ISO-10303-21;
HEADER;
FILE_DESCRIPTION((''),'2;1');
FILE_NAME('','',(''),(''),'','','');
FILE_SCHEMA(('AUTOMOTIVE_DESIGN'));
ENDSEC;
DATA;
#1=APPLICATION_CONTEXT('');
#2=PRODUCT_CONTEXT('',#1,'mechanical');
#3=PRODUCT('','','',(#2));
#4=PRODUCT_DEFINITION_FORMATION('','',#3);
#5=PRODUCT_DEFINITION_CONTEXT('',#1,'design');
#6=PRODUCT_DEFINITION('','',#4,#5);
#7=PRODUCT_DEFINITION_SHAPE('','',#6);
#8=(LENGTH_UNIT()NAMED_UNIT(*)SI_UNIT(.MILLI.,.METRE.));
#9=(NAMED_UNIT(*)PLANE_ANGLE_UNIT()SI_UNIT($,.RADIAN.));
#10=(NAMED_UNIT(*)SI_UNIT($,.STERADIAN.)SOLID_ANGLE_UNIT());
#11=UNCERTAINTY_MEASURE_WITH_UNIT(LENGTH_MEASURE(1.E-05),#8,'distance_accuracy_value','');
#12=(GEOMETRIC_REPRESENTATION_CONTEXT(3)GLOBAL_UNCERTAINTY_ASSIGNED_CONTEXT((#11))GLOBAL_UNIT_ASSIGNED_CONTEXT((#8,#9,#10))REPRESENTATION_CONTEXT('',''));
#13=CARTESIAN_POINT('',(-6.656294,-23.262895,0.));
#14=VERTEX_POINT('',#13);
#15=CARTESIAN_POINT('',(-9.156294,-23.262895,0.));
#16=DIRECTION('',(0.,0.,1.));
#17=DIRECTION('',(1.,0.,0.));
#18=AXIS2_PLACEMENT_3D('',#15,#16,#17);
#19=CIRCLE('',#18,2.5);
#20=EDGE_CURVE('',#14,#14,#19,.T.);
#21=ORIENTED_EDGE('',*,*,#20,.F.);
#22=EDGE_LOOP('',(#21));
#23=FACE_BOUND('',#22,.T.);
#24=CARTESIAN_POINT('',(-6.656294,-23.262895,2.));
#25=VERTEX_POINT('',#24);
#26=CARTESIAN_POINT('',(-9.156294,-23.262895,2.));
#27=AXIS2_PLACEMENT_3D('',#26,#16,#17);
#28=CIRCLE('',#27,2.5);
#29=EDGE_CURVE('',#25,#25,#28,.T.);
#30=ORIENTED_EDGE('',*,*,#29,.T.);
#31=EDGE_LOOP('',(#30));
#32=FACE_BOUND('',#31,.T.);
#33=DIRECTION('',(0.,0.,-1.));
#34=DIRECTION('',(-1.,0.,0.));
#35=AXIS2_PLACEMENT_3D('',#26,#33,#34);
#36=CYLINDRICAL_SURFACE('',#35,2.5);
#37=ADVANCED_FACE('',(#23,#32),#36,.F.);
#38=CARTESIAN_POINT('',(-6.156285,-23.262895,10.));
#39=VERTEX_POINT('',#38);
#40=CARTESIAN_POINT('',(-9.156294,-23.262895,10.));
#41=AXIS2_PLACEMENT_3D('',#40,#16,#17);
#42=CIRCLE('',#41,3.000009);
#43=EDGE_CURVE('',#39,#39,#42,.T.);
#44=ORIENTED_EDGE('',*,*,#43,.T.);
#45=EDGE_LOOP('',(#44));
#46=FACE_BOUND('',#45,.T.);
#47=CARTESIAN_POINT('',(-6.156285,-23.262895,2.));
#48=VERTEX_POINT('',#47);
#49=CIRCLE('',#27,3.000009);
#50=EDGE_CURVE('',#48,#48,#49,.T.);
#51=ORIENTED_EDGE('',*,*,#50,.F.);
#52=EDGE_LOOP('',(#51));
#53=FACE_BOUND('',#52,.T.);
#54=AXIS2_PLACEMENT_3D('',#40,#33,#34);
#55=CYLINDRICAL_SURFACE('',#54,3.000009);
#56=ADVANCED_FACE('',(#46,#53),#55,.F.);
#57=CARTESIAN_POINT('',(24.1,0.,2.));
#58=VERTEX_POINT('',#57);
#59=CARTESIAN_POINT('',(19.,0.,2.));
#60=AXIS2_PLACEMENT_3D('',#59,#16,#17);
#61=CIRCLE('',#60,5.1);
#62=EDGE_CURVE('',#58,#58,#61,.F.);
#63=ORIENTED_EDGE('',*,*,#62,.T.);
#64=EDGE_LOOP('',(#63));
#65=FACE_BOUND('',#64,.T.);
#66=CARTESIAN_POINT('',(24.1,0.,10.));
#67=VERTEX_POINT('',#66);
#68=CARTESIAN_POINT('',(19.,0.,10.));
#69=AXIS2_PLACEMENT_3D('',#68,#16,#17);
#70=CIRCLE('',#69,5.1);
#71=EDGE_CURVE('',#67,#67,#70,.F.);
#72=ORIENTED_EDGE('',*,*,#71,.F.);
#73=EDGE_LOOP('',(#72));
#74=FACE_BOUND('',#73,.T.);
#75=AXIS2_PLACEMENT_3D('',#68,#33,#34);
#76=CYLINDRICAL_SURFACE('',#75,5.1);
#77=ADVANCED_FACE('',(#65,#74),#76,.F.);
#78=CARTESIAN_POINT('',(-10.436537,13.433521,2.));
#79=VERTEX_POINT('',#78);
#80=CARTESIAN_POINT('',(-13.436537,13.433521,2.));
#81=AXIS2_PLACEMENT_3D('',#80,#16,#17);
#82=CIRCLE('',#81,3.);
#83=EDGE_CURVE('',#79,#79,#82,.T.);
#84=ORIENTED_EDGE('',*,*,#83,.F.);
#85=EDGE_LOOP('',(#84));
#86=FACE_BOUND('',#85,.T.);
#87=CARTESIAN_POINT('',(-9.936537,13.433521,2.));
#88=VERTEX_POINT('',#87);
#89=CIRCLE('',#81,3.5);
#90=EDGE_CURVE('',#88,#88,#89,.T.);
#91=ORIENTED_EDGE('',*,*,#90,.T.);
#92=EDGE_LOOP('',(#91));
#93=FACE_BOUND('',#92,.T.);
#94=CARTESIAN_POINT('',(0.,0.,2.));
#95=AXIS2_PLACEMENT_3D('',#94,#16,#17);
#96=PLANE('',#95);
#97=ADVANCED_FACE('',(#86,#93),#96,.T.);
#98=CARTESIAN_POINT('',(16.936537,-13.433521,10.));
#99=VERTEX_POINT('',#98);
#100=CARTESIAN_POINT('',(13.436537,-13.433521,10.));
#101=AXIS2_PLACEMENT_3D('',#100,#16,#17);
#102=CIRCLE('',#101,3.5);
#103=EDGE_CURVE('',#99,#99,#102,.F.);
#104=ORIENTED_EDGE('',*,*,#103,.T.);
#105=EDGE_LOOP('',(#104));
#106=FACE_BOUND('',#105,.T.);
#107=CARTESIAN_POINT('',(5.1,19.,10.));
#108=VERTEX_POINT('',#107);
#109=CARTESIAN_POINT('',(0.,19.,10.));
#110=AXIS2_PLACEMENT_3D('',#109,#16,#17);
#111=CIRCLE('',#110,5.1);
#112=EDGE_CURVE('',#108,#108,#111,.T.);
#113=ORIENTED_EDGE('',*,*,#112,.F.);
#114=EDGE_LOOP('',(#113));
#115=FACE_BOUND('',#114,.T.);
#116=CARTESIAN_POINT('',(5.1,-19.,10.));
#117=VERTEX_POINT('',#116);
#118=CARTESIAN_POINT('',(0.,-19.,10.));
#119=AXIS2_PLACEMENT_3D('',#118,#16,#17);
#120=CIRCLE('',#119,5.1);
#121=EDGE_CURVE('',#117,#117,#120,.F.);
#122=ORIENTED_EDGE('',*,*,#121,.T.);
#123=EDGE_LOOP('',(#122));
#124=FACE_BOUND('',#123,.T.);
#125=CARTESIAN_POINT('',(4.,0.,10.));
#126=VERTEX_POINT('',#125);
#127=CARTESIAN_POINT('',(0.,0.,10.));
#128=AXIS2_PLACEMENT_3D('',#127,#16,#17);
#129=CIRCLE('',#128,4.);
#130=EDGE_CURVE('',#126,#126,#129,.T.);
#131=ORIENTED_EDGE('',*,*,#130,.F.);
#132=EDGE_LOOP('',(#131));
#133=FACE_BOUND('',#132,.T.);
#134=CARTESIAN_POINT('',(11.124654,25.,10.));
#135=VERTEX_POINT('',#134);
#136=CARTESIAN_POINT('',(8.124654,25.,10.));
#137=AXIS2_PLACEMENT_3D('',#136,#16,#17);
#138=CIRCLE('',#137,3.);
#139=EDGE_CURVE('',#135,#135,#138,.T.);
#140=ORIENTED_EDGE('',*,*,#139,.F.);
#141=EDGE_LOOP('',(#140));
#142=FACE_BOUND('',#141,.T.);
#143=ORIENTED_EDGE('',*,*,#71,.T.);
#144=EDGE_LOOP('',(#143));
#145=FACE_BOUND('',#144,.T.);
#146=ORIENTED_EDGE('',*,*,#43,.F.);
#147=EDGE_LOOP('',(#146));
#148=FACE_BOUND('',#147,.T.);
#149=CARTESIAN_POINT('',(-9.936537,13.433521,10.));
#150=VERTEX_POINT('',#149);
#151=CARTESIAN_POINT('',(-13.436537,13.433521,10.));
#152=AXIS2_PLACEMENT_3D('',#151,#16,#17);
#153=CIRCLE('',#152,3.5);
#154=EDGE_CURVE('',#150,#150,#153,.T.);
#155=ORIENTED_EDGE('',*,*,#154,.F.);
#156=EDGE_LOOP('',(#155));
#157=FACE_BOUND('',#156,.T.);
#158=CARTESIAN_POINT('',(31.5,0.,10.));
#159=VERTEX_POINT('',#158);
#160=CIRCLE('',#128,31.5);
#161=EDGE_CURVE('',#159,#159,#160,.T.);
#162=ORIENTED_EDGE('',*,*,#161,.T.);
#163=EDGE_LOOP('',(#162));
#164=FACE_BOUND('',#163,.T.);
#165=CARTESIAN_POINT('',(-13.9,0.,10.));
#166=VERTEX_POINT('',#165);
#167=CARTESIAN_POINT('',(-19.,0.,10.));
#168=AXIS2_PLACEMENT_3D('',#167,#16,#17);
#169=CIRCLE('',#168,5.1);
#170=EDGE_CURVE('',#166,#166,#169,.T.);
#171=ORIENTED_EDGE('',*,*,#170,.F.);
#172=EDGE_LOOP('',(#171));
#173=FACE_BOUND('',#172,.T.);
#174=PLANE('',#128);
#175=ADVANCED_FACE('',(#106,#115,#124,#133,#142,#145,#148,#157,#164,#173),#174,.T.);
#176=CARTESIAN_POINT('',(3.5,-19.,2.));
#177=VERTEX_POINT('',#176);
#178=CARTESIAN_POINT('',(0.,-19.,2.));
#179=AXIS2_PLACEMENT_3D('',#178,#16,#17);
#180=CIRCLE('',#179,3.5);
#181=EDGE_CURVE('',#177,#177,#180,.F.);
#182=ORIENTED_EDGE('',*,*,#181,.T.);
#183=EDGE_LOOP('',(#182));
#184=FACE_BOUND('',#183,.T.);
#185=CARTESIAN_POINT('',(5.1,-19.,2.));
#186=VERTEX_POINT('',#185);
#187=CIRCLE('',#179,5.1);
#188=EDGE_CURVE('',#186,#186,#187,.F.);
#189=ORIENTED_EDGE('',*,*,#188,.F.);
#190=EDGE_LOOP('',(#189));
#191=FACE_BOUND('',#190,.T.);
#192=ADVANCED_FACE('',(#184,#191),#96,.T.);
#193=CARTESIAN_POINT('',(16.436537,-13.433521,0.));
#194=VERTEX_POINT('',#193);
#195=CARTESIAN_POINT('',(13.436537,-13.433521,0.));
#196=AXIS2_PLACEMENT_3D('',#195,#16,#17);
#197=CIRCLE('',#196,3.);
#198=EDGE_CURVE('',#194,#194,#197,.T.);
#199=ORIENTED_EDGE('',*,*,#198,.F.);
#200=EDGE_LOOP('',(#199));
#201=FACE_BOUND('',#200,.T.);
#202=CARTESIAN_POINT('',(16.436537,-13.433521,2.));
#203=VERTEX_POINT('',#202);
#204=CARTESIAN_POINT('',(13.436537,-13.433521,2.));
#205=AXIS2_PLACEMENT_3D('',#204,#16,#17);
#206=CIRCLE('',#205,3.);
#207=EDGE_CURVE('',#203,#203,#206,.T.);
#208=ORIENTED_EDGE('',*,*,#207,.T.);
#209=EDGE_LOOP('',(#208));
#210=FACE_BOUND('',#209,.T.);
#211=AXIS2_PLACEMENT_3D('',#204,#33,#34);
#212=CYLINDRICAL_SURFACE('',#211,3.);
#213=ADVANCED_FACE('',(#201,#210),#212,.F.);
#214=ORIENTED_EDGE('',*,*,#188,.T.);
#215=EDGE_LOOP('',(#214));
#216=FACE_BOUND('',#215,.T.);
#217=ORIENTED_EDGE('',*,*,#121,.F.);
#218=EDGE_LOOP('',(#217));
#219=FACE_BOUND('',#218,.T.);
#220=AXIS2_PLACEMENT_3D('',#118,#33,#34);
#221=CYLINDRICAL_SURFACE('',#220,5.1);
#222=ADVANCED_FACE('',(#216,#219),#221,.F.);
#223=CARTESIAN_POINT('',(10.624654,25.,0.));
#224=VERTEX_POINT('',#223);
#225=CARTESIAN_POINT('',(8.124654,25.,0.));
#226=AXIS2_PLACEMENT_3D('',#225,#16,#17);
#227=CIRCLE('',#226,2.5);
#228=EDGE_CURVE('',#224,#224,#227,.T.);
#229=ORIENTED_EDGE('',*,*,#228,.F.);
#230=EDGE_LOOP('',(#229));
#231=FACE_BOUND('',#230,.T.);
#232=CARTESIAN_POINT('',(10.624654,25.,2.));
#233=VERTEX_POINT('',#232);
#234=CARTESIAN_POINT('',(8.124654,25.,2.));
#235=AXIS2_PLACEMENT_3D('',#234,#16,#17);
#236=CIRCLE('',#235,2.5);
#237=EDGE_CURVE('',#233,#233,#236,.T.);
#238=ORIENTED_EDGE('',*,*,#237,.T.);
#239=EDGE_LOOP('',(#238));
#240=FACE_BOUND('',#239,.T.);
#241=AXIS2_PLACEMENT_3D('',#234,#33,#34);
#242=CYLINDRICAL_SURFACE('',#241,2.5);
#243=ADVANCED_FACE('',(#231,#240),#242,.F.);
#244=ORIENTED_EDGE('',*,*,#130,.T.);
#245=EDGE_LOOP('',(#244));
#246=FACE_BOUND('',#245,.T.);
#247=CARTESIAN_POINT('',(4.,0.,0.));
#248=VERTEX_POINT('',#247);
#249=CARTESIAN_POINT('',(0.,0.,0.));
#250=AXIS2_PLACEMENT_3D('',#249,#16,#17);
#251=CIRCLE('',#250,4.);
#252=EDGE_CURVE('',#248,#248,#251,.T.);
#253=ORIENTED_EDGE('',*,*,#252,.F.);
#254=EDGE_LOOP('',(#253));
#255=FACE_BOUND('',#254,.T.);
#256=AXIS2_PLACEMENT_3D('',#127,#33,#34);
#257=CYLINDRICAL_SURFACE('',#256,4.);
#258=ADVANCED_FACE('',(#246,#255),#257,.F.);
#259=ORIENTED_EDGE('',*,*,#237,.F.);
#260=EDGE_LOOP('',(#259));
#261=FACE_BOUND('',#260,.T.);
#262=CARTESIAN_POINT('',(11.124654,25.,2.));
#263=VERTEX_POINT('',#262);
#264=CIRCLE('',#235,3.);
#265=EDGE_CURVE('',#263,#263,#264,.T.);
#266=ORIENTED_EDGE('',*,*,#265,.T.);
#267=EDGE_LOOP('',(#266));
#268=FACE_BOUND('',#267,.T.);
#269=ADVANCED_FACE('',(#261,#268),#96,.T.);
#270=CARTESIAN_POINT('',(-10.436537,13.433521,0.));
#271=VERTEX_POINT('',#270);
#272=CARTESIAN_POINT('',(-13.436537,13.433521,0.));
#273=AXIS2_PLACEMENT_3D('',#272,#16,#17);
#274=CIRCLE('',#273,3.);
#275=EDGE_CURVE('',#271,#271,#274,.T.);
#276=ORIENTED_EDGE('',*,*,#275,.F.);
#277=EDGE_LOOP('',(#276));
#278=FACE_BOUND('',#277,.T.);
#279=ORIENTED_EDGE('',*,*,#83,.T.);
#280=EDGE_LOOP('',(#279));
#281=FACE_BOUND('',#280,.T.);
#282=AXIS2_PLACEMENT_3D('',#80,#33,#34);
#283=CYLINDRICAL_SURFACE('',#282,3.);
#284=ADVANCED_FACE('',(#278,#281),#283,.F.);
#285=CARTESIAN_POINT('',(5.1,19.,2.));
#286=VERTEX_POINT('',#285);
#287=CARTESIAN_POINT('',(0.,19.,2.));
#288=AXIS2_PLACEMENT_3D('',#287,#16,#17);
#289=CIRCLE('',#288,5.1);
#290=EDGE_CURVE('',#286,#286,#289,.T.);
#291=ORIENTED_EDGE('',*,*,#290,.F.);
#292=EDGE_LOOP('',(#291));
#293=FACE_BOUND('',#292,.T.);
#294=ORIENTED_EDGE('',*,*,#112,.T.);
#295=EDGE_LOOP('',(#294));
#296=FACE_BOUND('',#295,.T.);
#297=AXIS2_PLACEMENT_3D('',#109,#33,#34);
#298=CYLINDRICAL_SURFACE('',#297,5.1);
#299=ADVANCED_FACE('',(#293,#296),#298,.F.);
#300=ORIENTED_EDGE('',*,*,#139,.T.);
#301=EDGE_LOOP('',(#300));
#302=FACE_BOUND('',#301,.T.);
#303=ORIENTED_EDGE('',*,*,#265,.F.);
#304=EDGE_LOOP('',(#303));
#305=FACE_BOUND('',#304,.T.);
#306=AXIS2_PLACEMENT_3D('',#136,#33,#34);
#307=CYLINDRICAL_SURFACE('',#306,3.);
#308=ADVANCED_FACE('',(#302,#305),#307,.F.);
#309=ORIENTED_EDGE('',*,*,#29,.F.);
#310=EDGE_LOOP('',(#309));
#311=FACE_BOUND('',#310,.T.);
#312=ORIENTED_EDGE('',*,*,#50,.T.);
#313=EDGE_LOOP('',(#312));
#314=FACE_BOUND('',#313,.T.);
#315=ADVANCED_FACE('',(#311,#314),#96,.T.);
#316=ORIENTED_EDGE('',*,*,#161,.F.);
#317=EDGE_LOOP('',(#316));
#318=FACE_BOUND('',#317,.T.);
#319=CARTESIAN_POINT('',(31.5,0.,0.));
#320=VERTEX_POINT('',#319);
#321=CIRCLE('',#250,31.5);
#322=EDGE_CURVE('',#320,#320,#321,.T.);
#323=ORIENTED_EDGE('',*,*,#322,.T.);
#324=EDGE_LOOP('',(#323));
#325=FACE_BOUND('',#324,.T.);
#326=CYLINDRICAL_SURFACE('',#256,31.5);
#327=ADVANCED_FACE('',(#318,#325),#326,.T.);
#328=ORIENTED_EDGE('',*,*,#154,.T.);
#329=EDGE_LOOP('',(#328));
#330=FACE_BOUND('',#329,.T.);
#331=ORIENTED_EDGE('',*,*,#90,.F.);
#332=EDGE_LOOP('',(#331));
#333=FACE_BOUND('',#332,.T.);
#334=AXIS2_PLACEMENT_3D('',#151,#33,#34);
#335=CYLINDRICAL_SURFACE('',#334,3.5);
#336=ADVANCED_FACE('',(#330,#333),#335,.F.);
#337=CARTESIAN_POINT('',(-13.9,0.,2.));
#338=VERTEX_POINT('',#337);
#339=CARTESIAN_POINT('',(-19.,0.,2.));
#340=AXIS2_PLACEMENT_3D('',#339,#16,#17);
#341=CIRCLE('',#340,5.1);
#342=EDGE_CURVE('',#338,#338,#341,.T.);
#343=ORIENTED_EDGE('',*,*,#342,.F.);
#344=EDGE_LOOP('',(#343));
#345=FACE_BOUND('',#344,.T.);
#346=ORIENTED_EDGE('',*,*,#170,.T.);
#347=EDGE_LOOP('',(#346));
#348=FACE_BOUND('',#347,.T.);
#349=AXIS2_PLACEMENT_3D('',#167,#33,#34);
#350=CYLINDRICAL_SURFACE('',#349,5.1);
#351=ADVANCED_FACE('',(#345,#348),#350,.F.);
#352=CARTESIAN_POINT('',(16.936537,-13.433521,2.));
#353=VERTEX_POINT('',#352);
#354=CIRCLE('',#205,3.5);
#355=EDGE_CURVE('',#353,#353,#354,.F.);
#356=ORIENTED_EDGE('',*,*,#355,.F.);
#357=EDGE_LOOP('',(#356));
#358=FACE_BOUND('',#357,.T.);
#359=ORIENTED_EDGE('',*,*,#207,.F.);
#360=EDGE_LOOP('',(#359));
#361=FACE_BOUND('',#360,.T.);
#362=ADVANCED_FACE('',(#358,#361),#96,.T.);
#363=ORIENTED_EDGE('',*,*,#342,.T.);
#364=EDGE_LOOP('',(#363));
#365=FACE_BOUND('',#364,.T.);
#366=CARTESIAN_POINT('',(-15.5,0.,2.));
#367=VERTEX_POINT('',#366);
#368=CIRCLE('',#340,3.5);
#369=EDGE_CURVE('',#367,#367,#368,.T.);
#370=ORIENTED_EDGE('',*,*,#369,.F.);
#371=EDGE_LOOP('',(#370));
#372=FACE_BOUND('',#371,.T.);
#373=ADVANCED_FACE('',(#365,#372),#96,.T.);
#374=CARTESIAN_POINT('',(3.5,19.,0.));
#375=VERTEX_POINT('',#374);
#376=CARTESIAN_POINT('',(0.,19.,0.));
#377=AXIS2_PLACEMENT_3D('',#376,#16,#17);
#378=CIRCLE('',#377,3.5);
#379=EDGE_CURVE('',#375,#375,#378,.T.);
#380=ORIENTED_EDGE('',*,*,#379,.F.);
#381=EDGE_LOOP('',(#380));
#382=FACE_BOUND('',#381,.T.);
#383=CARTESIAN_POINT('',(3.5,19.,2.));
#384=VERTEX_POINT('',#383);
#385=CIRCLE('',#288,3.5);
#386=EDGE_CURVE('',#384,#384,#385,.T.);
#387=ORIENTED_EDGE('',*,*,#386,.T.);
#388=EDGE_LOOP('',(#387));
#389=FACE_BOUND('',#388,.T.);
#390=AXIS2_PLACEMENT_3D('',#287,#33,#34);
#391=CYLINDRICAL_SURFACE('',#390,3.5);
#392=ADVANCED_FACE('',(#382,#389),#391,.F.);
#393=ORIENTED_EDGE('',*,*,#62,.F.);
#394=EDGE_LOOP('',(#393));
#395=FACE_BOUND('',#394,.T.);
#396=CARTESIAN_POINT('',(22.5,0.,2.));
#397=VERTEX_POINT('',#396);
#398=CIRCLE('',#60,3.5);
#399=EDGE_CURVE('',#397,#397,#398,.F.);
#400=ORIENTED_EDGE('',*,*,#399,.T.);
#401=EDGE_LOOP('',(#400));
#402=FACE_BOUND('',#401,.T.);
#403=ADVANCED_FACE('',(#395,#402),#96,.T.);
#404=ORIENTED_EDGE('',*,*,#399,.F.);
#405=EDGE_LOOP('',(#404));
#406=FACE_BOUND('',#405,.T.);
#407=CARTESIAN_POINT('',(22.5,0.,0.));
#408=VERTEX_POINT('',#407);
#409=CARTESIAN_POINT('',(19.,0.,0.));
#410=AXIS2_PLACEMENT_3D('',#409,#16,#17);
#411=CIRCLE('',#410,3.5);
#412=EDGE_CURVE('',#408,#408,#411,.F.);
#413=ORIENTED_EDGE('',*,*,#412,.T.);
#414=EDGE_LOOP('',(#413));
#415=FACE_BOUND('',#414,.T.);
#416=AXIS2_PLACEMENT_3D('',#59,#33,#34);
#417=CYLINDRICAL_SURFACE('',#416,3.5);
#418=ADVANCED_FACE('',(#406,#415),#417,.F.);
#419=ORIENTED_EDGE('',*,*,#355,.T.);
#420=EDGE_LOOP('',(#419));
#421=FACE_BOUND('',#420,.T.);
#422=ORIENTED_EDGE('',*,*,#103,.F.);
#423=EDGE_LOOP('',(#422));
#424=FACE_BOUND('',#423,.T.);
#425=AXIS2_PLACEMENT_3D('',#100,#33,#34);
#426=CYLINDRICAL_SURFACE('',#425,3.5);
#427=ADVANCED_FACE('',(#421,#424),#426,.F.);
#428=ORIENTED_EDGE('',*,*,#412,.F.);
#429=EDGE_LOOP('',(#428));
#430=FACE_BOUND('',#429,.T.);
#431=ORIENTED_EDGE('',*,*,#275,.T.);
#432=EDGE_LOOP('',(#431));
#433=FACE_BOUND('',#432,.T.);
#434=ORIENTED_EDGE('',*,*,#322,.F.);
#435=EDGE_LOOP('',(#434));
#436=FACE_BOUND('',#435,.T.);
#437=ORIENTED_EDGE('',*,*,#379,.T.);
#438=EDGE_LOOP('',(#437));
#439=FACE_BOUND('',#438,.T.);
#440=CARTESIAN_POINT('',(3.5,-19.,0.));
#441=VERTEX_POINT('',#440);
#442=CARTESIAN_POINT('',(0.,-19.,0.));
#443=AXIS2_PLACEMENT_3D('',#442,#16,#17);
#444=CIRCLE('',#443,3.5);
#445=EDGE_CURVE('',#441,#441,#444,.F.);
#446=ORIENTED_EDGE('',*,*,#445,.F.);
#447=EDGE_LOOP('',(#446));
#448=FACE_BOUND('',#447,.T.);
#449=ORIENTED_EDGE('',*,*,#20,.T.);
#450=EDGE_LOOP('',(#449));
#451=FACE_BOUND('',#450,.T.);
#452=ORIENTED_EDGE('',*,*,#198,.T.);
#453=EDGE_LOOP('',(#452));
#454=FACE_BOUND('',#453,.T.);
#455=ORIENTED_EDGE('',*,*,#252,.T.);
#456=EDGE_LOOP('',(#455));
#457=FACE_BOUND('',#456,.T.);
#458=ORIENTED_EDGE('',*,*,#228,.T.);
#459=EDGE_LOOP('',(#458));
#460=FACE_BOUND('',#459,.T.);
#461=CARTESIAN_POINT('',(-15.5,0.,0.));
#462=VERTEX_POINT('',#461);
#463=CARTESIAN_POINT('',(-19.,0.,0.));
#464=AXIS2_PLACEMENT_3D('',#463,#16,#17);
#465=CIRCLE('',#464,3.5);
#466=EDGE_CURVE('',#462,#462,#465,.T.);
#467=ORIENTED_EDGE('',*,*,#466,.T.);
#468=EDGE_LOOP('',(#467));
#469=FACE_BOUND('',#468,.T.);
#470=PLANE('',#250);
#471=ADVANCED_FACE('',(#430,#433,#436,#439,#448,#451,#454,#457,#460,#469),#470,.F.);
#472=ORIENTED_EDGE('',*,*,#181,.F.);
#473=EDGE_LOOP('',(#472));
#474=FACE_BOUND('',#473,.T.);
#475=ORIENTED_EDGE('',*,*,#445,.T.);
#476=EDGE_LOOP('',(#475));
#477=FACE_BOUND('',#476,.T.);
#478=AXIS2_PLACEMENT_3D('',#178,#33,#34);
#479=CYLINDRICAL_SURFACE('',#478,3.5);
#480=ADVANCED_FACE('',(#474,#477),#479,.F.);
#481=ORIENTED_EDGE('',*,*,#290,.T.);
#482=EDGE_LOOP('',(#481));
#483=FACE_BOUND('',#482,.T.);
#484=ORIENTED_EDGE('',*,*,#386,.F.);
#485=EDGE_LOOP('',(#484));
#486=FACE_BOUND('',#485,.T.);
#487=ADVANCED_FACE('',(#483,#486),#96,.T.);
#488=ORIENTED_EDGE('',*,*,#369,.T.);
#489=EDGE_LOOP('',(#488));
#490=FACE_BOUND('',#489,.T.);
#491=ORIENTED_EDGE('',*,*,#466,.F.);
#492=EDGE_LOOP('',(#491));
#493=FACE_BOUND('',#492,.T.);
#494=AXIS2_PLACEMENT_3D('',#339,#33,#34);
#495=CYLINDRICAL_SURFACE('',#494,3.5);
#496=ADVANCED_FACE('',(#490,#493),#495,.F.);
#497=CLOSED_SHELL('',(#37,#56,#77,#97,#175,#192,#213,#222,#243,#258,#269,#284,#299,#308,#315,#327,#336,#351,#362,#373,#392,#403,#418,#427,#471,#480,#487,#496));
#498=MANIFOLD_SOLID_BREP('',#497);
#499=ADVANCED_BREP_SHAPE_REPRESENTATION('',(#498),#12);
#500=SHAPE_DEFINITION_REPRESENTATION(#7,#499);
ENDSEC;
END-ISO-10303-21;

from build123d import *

# Parameters (mm, degrees)
SKETCH1_R           = 31.5
SKETCH1_R_2         = 3.000009018
SKETCH1_R_3         = 5.1
SKETCH1_R_4         = 3.5
SKETCH1_R_5         = 3
SKETCH1_R_6         = 4
BOSS_EXTRUDE1_DEPTH = 10
SKETCH1_3_R         = 5.1
SKETCH1_3_R_2       = 3.5
SKETCH1_3_R_3       = 3
SKETCH1_3_R_4       = 2.5
SKETCH1_3_R_5       = 3.000009018
BOSS_EXTRUDE2_DEPTH = 2


with BuildPart() as part:
    # Sketch1 → Boss-Extrude1 (new body)
    with BuildSketch(Plane.XY):
        Circle(SKETCH1_R)
        with Locations((-9.156294472, -23.262894737)):
            Circle(SKETCH1_R_2, mode=Mode.SUBTRACT)
        with Locations((0, 19)):
            Circle(SKETCH1_R_3, mode=Mode.SUBTRACT)
        with Locations((-13.436536842, 13.433520674)):
            Circle(SKETCH1_R_4, mode=Mode.SUBTRACT)
        with Locations((-19, 0)):
            Circle(SKETCH1_R_3, mode=Mode.SUBTRACT)
        with Locations((0, -19)):
            Circle(SKETCH1_R_3, mode=Mode.SUBTRACT)
        with Locations((13.436536842, -13.433520674)):
            Circle(SKETCH1_R_4, mode=Mode.SUBTRACT)
        with Locations((19, 0)):
            Circle(SKETCH1_R_3, mode=Mode.SUBTRACT)
        with Locations((8.124653839, 25)):
            Circle(SKETCH1_R_5, mode=Mode.SUBTRACT)
        Circle(SKETCH1_R_6, mode=Mode.SUBTRACT)
    extrude(amount=BOSS_EXTRUDE1_DEPTH)

    # Sketch1<3> → Boss-Extrude2 (add)
    # profile 1 of 8: a face of its own
    with BuildSketch(Plane.XY):
        with Locations((19, 0)):
            Circle(SKETCH1_3_R)
        with Locations((19, 0)):
            Circle(SKETCH1_3_R_2, mode=Mode.SUBTRACT)
    # profile 2 of 8: a face of its own
    with BuildSketch(Plane.XY):
        with Locations((0, 19)):
            Circle(SKETCH1_3_R)
        with Locations((0, 19)):
            Circle(SKETCH1_3_R_2, mode=Mode.SUBTRACT)
    # profile 3 of 8: a face of its own
    with BuildSketch(Plane.XY):
        with Locations((13.436536842, -13.433520674)):
            Circle(SKETCH1_3_R_2)
        with Locations((13.436536842, -13.433520674)):
            Circle(SKETCH1_3_R_3, mode=Mode.SUBTRACT)
    # profile 4 of 8: a face of its own
    with BuildSketch(Plane.XY):
        with Locations((-13.436536842, 13.433520674)):
            Circle(SKETCH1_3_R_2)
        with Locations((-13.436536842, 13.433520674)):
            Circle(SKETCH1_3_R_3, mode=Mode.SUBTRACT)
    # profile 5 of 8: a face of its own
    with BuildSketch(Plane.XY):
        with Locations((0, -19)):
            Circle(SKETCH1_3_R)
        with Locations((0, -19)):
            Circle(SKETCH1_3_R_2, mode=Mode.SUBTRACT)
    # profile 6 of 8: a face of its own
    with BuildSketch(Plane.XY):
        with Locations((-19, 0)):
            Circle(SKETCH1_3_R)
        with Locations((-19, 0)):
            Circle(SKETCH1_3_R_2, mode=Mode.SUBTRACT)
    # profile 7 of 8: a face of its own
    with BuildSketch(Plane.XY):
        with Locations((8.124653839, 25)):
            Circle(SKETCH1_3_R_3)
        with Locations((8.124653839, 25)):
            Circle(SKETCH1_3_R_4, mode=Mode.SUBTRACT)
    # profile 8 of 8: a face of its own
    with BuildSketch(Plane.XY):
        with Locations((-9.156294472, -23.262894737)):
            Circle(SKETCH1_3_R_5)
        with Locations((-9.156294472, -23.262894737)):
            Circle(SKETCH1_3_R_4, mode=Mode.SUBTRACT)
    extrude(amount=BOSS_EXTRUDE2_DEPTH)


solid = part.part
